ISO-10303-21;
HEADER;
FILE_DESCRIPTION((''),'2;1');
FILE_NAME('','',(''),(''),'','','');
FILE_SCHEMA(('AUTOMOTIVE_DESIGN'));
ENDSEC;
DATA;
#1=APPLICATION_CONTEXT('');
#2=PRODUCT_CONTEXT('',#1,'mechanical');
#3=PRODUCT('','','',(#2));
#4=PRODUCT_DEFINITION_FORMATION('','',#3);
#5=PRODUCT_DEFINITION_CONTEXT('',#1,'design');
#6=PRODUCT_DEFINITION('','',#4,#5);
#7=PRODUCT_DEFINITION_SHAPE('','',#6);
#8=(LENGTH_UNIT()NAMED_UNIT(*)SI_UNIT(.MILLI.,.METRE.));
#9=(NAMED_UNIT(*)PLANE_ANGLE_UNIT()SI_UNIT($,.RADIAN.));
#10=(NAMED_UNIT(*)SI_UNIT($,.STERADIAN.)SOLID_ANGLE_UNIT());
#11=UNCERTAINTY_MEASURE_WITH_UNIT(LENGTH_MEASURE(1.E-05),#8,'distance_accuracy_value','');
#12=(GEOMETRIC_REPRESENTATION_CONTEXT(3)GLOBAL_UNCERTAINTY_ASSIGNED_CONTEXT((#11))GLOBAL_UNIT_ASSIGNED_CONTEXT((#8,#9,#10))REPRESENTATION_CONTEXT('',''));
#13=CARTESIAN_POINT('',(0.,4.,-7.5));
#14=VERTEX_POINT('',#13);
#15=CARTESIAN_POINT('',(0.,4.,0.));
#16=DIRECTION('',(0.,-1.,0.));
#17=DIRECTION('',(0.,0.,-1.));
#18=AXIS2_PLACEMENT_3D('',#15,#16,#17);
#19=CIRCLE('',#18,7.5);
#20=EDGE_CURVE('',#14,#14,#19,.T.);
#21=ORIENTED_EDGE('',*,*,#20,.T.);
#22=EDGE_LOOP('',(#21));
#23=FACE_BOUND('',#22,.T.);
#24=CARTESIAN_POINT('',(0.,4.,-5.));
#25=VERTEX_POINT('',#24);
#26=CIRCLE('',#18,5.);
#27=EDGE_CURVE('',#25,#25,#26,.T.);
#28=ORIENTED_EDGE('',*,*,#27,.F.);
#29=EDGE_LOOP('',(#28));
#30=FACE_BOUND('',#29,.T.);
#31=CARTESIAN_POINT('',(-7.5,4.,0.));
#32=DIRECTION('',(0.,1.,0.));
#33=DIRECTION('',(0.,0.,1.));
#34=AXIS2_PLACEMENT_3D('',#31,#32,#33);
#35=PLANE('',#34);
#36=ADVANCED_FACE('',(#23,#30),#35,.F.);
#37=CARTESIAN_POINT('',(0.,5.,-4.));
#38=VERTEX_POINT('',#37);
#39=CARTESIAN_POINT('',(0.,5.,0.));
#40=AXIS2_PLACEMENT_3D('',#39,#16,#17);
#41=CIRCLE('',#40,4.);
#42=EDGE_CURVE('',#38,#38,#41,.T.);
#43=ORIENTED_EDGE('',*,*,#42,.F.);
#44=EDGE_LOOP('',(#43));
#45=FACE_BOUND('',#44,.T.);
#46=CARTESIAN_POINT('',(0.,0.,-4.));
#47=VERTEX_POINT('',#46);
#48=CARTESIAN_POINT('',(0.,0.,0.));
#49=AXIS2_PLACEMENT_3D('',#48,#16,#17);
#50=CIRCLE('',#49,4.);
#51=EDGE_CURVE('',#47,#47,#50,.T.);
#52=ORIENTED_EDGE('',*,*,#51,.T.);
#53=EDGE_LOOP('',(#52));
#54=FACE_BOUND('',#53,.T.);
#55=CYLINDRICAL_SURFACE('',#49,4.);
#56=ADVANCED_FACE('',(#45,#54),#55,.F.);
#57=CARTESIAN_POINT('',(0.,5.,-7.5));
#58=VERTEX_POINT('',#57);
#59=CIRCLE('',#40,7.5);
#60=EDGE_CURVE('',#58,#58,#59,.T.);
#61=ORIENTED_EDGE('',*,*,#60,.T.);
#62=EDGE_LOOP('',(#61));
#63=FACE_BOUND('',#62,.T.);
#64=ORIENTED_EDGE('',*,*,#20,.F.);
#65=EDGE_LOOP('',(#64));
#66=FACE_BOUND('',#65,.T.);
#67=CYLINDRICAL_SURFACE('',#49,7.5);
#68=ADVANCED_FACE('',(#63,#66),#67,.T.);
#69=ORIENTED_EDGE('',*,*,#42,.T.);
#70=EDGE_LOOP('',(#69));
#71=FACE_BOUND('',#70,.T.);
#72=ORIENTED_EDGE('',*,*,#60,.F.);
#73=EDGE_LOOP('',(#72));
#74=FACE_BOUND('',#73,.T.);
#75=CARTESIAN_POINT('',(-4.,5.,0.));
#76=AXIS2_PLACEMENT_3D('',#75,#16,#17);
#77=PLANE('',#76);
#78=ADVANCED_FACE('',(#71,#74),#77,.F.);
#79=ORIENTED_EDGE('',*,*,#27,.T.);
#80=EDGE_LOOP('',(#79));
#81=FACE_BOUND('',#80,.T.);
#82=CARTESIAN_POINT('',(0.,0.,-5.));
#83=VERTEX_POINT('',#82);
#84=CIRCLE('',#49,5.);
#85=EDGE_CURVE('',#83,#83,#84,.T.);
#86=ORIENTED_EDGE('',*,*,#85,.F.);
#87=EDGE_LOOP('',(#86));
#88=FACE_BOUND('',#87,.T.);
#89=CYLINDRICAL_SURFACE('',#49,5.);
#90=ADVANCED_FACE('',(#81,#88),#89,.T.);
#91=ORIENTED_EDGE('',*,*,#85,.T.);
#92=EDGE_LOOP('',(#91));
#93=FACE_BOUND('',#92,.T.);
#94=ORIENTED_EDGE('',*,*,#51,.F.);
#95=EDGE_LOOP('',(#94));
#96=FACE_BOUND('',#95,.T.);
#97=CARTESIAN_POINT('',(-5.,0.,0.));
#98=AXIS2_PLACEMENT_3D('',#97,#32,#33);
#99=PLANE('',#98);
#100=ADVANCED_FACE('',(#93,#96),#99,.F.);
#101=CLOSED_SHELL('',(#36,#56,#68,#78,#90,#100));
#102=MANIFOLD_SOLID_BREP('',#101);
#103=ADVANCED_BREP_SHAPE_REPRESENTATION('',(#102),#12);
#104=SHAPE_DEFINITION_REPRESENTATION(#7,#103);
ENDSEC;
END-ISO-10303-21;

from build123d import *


with BuildPart() as part:
    # Esquisse1 → Révolution1 (revolve)
    with BuildSketch(Plane.XY):
        Polygon((-4, 5), (-7.5, 5), (-7.5, 4), (-5, 4), (-5, 0), (-4, 0), align=None)
    revolve(axis=Axis((0, 0, 0), (0, 1, 0)))


solid = part.part
